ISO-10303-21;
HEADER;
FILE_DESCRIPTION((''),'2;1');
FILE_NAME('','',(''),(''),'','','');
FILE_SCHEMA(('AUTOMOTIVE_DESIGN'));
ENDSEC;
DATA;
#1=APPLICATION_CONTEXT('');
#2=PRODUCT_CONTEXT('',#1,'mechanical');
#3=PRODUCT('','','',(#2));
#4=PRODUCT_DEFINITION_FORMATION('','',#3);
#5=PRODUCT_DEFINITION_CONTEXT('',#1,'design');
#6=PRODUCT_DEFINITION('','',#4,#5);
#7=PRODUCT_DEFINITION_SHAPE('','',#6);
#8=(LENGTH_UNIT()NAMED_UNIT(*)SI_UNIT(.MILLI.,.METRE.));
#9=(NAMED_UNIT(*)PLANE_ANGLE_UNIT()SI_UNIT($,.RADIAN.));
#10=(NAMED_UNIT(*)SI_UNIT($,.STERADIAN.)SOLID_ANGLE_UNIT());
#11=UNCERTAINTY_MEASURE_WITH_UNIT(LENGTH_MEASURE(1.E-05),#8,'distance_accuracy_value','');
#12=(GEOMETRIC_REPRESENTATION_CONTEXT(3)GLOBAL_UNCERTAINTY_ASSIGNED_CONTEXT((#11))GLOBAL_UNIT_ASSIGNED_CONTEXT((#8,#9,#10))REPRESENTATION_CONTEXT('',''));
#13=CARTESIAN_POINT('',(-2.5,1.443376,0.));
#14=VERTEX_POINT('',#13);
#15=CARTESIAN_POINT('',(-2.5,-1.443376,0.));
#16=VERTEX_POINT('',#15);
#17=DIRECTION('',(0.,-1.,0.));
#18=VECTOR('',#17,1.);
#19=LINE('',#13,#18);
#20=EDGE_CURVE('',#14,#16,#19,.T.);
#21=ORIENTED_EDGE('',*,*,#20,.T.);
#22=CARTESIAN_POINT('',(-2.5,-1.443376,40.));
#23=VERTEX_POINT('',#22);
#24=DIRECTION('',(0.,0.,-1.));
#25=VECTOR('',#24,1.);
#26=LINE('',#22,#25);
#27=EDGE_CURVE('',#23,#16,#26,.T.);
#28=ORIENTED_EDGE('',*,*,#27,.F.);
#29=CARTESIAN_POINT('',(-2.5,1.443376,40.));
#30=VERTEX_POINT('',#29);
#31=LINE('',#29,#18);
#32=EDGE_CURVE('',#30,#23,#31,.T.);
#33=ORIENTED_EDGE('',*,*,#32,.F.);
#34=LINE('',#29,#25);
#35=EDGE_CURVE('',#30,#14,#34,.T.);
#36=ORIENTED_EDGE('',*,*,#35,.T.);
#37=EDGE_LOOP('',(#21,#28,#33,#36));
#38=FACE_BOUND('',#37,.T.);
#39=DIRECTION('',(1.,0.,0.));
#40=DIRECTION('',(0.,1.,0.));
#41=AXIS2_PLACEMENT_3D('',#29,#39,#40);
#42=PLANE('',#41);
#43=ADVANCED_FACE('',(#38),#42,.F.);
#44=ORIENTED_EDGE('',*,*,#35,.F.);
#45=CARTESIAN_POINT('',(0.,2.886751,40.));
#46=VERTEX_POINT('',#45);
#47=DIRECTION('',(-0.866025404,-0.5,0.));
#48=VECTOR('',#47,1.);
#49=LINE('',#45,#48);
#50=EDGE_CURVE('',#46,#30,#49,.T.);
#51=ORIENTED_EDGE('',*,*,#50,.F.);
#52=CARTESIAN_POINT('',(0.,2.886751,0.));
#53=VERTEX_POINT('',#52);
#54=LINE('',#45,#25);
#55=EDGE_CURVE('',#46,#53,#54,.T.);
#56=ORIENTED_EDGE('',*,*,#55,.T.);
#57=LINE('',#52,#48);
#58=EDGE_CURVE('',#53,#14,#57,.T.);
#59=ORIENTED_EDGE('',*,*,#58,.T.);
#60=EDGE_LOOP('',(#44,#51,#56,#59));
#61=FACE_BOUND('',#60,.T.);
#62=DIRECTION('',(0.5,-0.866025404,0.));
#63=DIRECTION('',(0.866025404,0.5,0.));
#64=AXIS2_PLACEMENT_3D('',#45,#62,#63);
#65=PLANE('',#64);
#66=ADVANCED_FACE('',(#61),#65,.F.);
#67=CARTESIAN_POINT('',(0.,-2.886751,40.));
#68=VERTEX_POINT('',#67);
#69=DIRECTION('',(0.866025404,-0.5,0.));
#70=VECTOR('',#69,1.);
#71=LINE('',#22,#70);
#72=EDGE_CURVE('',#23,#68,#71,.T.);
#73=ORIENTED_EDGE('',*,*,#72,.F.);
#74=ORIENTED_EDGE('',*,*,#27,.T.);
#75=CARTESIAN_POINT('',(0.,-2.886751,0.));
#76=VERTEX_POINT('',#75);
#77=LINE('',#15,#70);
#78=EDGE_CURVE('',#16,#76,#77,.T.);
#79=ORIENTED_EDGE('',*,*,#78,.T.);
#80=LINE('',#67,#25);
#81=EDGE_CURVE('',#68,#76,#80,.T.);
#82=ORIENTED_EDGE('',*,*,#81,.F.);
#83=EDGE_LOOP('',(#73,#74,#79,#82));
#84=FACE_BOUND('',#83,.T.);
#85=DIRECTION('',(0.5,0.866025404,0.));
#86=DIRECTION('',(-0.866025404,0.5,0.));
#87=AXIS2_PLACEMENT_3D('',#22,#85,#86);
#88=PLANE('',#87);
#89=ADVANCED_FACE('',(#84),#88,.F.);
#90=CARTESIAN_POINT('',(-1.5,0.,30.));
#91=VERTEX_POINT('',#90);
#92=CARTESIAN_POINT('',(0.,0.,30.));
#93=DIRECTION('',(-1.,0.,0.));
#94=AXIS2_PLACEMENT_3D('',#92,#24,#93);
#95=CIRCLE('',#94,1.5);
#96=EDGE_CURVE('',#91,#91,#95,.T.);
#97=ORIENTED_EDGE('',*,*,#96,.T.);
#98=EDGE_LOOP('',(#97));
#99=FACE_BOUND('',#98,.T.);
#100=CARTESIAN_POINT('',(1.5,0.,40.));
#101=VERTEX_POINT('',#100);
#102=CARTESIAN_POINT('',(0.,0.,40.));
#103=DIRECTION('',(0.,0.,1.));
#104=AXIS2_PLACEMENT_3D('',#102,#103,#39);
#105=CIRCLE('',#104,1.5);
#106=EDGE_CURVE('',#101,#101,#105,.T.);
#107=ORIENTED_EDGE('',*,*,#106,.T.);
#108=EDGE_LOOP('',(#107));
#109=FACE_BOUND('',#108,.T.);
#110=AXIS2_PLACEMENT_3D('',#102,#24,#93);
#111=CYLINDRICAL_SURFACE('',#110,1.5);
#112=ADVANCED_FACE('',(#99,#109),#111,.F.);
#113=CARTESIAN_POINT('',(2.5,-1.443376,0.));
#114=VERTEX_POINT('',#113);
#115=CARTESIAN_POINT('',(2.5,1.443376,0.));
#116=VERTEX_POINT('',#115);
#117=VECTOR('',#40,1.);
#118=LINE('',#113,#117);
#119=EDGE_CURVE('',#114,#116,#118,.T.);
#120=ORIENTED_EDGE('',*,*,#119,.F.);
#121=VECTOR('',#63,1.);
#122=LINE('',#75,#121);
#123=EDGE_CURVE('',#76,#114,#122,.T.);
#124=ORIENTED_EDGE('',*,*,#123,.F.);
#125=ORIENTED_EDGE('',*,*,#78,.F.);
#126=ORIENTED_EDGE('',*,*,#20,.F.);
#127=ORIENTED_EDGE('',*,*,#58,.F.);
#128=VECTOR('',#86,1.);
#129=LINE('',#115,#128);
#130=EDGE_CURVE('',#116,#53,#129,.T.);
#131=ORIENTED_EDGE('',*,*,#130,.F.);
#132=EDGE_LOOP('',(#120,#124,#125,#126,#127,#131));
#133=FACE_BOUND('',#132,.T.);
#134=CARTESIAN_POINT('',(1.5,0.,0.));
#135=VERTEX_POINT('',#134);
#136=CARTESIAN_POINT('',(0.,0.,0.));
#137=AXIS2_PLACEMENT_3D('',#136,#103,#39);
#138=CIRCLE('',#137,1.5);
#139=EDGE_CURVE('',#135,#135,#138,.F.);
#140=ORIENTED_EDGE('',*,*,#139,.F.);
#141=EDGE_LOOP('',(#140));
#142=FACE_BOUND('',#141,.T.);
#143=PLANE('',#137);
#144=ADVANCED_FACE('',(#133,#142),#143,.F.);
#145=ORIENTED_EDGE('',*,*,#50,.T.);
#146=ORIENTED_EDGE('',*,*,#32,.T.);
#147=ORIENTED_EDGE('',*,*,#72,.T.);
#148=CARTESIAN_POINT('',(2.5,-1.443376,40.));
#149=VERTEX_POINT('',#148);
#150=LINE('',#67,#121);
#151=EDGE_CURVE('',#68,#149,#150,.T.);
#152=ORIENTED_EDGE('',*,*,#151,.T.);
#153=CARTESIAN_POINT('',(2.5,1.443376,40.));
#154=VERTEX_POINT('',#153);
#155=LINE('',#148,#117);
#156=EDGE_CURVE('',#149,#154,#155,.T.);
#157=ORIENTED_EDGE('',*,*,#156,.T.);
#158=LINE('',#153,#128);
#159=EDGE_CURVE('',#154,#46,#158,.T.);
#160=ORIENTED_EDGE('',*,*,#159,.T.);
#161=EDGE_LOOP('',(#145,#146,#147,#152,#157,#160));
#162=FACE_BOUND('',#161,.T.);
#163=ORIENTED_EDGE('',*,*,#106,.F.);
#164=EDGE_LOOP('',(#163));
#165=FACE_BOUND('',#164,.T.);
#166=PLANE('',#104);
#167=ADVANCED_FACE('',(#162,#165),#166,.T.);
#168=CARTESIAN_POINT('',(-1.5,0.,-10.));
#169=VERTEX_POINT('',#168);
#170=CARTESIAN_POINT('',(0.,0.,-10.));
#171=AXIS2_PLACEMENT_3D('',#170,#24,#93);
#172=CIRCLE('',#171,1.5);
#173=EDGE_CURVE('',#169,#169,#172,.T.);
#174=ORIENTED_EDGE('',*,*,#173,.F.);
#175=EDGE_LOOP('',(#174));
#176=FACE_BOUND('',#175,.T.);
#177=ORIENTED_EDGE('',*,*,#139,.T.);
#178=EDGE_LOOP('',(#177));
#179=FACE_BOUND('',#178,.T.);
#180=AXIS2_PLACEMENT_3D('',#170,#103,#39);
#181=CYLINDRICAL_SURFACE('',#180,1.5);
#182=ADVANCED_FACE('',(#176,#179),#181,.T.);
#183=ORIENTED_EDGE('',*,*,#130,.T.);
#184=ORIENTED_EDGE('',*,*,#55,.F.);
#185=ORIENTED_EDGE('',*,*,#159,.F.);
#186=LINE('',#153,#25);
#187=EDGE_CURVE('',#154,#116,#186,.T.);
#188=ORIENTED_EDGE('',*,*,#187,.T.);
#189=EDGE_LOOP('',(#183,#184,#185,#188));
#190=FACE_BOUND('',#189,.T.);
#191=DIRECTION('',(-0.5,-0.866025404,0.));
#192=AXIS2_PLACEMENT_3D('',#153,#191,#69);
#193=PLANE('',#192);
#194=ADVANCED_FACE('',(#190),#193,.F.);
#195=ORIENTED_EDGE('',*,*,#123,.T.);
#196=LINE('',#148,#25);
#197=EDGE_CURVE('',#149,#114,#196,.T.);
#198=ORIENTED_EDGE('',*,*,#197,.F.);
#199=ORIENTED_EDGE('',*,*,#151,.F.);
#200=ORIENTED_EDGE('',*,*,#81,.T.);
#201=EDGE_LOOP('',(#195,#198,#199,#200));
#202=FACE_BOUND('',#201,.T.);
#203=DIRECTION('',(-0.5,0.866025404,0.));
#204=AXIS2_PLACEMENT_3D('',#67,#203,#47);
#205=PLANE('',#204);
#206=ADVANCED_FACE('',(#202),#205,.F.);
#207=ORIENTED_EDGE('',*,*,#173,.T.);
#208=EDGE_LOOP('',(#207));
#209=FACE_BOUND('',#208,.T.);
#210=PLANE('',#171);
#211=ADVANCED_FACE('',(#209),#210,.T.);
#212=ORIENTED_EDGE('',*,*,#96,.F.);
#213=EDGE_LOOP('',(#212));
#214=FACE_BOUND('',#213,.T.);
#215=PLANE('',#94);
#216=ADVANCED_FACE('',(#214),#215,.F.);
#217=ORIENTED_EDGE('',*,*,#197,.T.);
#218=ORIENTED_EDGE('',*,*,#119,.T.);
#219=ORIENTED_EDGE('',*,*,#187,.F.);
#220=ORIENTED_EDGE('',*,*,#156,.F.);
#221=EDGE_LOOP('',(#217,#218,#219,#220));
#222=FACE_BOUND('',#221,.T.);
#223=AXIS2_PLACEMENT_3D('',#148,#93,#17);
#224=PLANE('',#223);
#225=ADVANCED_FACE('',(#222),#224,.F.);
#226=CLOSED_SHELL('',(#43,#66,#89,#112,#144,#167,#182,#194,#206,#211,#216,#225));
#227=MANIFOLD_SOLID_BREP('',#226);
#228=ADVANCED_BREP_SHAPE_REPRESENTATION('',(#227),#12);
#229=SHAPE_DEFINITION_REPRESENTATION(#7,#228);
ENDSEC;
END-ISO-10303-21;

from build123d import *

# Parameters (mm, degrees)
ESQUISSE1_R             = 1.5
BOSS_EXTRU_2_DEPTH      = 40
ESQUISSE3_R             = 1.5
BOSS_EXTRU_3_DEPTH      = 10
BOSS_EXTRU_3_DEPTH_BACK = 30


with BuildPart() as part:
    # Esquisse1 → Boss.-Extru.2 (new body)
    with BuildSketch(Plane.XY):
        Polygon((0, -2.886751346), (2.5, -1.443375673), (2.5, 1.443375673), (0, 2.886751346), (-2.5, 1.443375673), (-2.5, -1.443375673), align=None)
        Circle(ESQUISSE1_R, mode=Mode.SUBTRACT)
    extrude(amount=BOSS_EXTRU_2_DEPTH)

    # Esquisse3 → Boss.-Extru.3 (add, two sides)
    with BuildSketch(Plane(origin=(0, 0, 0), x_dir=(-1, 0, 0), z_dir=(0, 0, -1))) as boss_extru_3_sk:
        Circle(ESQUISSE3_R)
    extrude(amount=BOSS_EXTRU_3_DEPTH)
    extrude(boss_extru_3_sk.sketch, amount=-BOSS_EXTRU_3_DEPTH_BACK)


solid = part.part
